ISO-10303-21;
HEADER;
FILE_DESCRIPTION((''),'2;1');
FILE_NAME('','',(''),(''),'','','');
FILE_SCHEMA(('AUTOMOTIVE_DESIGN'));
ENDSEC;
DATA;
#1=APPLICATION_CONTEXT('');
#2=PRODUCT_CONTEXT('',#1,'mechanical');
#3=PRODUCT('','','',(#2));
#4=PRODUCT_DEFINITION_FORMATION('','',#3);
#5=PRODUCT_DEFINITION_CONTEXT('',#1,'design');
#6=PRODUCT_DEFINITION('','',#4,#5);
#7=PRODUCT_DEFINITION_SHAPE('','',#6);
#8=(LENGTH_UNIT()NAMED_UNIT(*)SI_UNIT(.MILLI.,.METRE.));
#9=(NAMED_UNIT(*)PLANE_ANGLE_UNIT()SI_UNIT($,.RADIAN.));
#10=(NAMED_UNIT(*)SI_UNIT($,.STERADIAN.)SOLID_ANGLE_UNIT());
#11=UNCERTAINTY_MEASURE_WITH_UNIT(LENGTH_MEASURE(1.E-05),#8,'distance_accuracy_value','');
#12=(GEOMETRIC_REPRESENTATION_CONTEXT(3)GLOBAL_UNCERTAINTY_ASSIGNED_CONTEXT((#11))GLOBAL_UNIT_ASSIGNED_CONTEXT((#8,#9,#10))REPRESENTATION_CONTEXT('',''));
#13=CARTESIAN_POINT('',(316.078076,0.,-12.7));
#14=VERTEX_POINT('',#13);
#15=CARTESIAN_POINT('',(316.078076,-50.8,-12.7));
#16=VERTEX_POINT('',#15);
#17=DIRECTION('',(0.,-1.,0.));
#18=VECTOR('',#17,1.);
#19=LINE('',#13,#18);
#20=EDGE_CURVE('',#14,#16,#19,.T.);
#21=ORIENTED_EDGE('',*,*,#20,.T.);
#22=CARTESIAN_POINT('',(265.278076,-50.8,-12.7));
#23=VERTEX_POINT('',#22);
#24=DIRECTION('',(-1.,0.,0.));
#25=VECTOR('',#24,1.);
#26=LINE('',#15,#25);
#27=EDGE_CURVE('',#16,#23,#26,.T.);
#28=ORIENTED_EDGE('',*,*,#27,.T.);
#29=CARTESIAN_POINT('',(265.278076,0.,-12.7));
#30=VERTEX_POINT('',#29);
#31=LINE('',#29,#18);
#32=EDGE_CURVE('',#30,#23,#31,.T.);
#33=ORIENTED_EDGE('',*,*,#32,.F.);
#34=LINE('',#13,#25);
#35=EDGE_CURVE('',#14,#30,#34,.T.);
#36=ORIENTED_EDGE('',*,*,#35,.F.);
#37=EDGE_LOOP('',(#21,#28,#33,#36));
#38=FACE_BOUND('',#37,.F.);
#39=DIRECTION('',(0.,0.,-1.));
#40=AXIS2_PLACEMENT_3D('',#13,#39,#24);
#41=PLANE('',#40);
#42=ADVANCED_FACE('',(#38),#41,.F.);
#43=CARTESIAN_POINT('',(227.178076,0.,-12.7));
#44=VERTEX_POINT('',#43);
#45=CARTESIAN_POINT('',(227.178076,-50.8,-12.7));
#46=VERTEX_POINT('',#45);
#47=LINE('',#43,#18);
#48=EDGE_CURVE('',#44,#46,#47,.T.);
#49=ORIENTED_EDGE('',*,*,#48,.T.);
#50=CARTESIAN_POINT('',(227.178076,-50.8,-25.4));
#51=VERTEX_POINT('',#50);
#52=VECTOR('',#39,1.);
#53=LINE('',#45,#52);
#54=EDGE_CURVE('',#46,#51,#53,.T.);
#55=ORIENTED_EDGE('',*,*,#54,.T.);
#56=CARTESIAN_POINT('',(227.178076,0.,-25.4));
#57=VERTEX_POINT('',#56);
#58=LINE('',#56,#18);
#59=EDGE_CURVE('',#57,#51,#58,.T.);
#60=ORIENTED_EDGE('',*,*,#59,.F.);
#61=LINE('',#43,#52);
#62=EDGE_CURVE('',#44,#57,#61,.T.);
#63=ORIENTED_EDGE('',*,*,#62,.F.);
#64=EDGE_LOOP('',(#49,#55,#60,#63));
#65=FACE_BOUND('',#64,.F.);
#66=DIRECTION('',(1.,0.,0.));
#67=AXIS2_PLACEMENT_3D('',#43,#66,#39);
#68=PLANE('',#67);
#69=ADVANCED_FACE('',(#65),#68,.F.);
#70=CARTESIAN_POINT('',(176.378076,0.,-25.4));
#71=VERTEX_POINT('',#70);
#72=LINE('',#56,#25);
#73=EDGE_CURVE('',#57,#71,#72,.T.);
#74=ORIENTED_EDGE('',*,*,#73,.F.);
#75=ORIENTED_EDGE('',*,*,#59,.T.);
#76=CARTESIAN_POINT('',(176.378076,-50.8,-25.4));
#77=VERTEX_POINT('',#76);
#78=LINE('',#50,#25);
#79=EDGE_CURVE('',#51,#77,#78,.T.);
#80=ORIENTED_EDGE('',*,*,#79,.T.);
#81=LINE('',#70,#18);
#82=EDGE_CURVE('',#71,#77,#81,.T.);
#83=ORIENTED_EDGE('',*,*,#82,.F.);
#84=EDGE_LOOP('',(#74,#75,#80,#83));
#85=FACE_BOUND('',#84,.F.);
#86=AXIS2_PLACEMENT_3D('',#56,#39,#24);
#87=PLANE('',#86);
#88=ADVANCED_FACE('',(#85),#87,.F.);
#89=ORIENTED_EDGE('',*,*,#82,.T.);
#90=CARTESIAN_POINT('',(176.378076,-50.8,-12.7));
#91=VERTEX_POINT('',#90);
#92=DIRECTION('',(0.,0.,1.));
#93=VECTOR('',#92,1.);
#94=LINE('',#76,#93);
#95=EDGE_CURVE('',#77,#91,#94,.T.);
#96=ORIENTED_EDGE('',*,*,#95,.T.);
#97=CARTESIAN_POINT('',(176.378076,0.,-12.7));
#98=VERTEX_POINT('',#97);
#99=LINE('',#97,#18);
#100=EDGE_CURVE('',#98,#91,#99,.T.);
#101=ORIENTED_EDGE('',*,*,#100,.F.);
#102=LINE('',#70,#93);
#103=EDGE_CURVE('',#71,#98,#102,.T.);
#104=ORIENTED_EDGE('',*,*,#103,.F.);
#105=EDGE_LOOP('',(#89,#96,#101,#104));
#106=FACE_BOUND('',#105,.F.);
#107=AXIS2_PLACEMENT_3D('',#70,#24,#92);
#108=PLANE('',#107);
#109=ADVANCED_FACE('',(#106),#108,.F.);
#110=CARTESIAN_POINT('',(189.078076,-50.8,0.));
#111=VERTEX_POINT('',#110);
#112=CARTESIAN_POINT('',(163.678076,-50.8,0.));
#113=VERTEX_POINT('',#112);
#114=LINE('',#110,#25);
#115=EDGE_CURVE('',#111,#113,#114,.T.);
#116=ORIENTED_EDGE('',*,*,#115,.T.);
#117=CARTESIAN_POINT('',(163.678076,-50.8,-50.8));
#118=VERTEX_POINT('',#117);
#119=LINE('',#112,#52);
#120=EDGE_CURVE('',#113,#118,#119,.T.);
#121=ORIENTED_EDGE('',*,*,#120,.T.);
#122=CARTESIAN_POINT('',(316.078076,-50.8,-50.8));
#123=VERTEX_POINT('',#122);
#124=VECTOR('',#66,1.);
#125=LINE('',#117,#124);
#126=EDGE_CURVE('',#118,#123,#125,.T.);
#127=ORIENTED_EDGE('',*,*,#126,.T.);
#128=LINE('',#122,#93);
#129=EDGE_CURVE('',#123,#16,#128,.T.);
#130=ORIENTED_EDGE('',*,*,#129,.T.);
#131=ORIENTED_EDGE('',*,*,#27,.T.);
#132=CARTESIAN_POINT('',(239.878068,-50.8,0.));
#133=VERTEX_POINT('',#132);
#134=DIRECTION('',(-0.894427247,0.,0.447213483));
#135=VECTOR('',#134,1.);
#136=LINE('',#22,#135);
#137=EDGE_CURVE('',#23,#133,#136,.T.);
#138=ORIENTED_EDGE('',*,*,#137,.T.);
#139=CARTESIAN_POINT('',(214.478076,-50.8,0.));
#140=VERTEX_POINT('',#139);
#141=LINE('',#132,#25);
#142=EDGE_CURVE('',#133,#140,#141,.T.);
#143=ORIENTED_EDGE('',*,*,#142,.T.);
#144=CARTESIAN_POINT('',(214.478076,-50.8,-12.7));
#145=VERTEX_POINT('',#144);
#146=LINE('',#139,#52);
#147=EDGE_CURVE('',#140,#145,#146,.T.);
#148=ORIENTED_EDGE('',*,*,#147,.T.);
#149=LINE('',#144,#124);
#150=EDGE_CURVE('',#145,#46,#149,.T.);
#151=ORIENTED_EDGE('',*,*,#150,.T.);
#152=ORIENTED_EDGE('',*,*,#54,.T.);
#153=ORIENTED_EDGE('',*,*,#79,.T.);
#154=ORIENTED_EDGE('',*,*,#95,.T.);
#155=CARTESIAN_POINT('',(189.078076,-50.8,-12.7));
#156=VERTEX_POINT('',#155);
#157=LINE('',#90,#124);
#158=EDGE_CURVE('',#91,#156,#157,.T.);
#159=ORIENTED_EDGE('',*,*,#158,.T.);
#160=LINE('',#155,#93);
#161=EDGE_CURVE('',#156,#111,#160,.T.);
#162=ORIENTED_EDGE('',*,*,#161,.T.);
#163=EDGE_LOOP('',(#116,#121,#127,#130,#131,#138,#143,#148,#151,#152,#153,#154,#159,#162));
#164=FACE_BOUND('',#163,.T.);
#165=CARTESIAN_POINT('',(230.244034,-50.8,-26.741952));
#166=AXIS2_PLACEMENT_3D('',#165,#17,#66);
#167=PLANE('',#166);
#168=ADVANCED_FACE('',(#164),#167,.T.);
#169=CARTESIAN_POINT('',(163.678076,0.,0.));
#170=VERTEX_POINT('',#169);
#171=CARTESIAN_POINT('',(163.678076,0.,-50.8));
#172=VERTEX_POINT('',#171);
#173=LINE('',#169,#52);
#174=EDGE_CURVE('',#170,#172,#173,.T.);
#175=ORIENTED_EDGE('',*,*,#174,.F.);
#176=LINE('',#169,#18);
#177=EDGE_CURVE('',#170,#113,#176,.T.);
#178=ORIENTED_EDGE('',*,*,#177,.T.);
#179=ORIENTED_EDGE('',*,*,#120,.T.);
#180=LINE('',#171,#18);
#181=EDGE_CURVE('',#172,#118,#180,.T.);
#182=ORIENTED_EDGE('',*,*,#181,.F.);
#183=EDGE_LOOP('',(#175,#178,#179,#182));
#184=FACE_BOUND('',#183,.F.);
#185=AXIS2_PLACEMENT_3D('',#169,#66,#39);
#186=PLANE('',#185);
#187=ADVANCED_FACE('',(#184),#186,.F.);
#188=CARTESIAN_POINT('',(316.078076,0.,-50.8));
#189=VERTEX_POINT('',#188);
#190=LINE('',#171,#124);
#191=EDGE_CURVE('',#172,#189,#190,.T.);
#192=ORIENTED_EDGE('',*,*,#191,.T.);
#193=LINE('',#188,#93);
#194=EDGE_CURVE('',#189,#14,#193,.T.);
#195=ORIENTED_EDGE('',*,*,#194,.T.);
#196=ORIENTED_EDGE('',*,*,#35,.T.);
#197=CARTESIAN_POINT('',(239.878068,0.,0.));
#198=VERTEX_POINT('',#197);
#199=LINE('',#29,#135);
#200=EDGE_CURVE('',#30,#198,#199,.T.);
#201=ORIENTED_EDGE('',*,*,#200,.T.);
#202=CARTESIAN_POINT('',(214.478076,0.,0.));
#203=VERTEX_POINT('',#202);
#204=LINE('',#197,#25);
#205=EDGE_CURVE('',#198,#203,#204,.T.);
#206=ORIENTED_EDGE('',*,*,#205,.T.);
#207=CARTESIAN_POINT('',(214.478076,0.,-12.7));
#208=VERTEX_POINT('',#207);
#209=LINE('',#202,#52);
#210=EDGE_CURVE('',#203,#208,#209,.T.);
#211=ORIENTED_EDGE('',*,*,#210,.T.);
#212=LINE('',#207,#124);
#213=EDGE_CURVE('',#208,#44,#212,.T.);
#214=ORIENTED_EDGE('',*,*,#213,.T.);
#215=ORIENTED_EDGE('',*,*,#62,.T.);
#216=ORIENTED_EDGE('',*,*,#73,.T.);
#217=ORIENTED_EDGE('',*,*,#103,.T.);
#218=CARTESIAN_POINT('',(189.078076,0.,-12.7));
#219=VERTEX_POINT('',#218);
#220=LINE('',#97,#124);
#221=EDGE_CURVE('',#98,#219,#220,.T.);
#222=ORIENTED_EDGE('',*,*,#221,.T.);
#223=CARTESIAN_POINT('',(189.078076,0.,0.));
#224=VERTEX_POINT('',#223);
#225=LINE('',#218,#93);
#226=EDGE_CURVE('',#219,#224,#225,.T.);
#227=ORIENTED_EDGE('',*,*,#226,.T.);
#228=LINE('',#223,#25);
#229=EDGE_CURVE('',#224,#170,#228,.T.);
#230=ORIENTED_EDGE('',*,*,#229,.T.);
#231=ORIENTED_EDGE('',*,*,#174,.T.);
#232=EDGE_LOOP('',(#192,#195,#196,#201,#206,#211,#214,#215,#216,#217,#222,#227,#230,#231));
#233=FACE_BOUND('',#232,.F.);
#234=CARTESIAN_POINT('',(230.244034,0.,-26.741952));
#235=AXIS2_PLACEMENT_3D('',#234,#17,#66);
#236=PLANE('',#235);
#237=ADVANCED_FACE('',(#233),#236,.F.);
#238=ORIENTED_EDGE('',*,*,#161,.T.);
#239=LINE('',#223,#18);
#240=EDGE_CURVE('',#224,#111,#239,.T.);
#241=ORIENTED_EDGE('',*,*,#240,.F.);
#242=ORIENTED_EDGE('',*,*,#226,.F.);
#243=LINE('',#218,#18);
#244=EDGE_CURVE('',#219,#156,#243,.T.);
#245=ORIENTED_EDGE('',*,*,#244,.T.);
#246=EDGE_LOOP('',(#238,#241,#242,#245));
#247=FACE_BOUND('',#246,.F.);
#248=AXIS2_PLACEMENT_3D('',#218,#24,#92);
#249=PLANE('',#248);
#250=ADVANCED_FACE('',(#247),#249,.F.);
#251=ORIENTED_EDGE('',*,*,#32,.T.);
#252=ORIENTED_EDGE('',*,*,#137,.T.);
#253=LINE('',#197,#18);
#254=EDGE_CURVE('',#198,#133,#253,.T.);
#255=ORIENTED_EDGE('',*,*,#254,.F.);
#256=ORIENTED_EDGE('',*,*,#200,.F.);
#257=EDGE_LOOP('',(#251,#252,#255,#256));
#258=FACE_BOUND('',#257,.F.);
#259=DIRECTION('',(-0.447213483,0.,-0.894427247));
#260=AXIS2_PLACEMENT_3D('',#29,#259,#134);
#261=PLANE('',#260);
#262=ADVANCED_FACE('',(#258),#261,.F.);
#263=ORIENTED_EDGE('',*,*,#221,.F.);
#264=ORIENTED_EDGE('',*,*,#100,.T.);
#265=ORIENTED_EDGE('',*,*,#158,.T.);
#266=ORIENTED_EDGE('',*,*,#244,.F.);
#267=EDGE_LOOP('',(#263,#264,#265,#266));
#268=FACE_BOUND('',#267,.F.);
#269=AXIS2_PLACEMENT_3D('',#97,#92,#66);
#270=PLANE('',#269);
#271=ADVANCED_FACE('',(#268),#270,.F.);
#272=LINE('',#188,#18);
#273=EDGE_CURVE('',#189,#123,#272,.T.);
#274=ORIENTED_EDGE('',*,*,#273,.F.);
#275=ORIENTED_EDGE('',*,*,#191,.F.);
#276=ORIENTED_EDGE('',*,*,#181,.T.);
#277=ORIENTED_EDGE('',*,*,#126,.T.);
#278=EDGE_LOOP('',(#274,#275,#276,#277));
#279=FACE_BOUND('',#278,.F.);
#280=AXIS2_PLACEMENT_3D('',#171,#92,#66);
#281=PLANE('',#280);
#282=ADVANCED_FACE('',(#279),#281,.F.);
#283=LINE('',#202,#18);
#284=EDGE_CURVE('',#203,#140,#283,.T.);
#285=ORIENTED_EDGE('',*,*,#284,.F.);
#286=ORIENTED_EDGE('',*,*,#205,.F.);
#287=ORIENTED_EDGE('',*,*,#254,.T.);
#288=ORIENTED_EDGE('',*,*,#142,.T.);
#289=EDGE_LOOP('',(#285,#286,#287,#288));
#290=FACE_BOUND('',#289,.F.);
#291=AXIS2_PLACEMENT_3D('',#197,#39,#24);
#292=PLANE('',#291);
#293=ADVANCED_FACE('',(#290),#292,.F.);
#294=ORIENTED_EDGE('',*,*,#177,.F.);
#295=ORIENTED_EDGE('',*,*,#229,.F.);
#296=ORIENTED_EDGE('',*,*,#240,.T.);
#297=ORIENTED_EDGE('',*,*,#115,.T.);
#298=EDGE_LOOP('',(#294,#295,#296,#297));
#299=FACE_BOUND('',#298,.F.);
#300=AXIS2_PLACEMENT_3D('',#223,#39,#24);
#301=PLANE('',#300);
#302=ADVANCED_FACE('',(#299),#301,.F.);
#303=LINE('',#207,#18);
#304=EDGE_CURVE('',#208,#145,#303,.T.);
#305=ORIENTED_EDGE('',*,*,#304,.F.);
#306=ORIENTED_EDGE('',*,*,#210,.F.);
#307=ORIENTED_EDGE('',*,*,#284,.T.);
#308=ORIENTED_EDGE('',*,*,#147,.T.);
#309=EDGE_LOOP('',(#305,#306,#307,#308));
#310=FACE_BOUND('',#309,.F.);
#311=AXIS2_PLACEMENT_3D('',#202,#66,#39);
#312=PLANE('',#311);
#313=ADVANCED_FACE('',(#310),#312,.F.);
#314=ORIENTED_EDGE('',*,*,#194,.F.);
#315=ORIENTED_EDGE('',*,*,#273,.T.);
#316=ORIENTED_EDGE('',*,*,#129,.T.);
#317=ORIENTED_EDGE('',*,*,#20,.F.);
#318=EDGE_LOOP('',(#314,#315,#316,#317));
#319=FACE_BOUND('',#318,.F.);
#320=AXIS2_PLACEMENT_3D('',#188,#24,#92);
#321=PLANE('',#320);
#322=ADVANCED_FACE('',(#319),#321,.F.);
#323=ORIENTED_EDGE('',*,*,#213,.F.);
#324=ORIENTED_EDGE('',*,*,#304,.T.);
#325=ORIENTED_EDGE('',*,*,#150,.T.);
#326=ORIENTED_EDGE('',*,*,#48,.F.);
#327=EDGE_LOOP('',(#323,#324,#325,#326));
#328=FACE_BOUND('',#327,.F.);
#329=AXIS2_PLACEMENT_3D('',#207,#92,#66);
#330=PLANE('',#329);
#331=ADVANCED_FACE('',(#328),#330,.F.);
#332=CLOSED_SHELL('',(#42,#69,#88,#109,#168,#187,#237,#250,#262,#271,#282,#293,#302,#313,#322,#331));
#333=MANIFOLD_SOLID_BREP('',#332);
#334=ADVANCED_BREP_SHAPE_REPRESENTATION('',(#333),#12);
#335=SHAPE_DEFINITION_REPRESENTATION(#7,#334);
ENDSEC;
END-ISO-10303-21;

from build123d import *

# Parameters (mm, degrees)
F1_DEPTH = 50.8
F3_DEPTH = 254


with BuildPart() as f1:
    # F0 (on Front) → F1 (new body)
    with BuildSketch(Plane.XZ):
        Polygon((189.078076, 0), (163.678076, 0), (163.678076, -50.8), (316.078076, -50.8), (316.078076, -12.7), (265.278076, -12.7), (239.878068, 0), (214.478076, 0), (214.478076, -12.7), (227.178076, -12.7), (227.178076, -25.4), (176.378076, -25.4), (176.378076, -12.7), (189.078076, -12.7), align=None)
    extrude(amount=F1_DEPTH)

    # F2 (on Right) → F3 (cut)
    with BuildSketch(Plane.YZ):
        Polygon((-42.799003, -42.036999), (-37.211001, -49.911), (-11.811001, -49.911), (-7.239001, -42.036999), align=None)
    extrude(amount=-F3_DEPTH, mode=Mode.SUBTRACT)


solid = f1.part
